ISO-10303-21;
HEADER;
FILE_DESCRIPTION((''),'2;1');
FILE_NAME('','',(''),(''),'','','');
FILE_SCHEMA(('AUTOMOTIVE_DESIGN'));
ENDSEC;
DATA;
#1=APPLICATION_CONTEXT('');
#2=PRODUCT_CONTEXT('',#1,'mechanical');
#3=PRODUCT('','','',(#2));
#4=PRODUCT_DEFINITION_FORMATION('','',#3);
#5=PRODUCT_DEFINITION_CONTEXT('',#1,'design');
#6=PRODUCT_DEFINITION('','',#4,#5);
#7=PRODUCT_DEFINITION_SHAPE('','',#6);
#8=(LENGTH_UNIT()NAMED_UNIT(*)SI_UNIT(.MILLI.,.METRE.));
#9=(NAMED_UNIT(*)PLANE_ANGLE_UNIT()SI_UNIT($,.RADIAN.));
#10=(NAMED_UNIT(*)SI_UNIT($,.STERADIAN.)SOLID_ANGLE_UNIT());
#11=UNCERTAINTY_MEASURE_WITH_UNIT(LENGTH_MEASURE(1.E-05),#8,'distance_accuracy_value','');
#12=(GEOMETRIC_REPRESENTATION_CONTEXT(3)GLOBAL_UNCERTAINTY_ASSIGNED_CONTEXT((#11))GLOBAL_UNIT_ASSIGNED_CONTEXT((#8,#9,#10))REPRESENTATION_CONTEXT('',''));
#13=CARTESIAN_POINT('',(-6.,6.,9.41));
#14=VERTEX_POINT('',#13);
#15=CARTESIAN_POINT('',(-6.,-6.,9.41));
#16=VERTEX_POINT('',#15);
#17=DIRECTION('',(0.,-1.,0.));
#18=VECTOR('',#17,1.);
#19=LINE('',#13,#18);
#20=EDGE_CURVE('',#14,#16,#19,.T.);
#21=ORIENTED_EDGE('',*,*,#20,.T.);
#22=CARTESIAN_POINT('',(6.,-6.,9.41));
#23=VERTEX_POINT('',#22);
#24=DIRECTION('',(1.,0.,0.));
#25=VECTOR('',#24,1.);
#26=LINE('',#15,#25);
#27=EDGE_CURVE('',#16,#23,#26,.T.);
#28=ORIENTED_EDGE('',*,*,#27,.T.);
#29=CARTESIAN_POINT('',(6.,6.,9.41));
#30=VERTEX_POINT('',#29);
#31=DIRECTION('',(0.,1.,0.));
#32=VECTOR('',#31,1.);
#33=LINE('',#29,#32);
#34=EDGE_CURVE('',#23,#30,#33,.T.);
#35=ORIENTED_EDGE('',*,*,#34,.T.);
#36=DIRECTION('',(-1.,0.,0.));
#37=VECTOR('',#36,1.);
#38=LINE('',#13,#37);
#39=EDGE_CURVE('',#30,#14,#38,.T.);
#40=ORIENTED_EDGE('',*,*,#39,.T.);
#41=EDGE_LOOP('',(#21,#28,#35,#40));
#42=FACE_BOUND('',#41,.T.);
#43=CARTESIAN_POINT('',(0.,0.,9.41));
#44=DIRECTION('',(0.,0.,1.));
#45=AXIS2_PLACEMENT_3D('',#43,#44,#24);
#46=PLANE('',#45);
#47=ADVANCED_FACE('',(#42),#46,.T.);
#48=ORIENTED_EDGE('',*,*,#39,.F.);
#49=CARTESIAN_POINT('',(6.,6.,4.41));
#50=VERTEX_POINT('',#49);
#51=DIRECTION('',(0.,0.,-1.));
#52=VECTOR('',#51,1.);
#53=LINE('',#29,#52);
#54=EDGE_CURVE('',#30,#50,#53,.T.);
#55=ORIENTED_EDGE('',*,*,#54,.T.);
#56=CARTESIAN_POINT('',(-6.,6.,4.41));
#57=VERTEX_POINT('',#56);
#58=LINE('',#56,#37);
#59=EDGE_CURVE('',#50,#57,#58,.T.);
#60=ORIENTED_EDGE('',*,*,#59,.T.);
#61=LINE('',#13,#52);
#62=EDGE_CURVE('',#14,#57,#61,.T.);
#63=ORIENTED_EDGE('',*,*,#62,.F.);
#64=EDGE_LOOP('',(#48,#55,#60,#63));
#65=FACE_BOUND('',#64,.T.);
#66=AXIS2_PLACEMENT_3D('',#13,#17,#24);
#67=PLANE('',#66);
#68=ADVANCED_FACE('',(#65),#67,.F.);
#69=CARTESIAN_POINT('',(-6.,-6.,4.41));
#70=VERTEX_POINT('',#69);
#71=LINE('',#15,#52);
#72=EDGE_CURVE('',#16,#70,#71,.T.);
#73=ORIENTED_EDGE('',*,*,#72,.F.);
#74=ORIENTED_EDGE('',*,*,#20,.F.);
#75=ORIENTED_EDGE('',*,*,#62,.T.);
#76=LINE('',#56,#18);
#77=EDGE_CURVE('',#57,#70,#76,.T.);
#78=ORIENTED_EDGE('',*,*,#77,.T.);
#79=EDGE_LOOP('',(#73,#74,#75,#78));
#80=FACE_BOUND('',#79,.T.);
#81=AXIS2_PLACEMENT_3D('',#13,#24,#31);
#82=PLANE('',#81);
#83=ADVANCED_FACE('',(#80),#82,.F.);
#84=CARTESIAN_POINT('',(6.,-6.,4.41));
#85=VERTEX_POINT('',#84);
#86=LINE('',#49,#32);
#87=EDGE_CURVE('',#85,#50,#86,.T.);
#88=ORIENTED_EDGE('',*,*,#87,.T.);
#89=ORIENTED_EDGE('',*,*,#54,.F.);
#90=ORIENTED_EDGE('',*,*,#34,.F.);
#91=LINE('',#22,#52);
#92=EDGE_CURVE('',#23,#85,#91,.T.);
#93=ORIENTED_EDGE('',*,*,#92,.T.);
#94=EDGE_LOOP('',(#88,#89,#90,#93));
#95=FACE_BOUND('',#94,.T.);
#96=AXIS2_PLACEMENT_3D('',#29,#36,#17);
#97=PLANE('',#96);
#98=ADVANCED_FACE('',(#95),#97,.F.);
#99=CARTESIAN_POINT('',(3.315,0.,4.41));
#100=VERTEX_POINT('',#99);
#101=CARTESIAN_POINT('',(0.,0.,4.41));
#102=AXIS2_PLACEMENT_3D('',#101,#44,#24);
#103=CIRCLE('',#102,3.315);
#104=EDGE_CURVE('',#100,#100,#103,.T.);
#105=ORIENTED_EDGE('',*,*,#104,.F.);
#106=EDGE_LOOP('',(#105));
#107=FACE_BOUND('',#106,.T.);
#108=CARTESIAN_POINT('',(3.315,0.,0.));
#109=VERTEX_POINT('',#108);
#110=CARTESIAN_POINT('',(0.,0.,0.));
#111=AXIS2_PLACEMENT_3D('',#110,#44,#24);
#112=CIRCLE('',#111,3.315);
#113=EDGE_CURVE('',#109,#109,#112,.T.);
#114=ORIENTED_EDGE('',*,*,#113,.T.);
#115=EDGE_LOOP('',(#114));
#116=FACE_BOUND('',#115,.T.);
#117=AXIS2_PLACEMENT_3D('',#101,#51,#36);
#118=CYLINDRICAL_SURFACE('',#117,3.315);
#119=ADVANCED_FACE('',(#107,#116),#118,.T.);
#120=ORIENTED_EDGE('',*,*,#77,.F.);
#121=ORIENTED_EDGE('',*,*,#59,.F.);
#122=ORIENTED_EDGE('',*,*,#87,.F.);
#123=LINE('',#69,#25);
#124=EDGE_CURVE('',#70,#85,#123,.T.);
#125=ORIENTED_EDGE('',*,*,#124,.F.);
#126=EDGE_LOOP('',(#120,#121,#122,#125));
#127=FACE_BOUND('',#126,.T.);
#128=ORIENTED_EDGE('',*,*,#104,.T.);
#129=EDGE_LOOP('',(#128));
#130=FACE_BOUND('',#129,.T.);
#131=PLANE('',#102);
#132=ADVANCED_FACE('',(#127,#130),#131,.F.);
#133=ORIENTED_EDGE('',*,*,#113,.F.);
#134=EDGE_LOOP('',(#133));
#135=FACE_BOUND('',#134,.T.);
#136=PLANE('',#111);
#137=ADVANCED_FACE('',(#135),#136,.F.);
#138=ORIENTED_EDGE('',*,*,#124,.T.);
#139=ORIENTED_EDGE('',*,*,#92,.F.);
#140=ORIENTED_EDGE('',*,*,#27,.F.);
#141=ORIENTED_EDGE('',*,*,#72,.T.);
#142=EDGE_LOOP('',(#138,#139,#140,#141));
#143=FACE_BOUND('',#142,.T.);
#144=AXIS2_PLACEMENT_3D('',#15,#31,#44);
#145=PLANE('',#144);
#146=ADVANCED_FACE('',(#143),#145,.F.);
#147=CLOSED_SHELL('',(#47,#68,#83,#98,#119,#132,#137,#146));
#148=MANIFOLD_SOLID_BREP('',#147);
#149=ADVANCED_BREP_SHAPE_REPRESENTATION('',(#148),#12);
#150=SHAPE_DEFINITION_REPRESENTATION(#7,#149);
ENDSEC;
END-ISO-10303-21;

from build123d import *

# Parameters (mm, degrees)
SKETCH_1_R      = 3.315
EXTRUDE_1_DEPTH = 4.41
SKETCH_2_W      = 12
SKETCH_2_H      = 12
EXTRUDE_2_DEPTH = 5


with BuildPart() as part:
    # 草图1 → 凸台-拉伸1 (new body)
    with BuildSketch(Plane.XY):
        Circle(SKETCH_1_R)
    extrude(amount=EXTRUDE_1_DEPTH)

    # 草图2 → 凸台-拉伸2 (add)
    with BuildSketch(Plane.XY.offset(4.41)):
        Rectangle(SKETCH_2_W, SKETCH_2_H)
    extrude(amount=EXTRUDE_2_DEPTH)


solid = part.part
